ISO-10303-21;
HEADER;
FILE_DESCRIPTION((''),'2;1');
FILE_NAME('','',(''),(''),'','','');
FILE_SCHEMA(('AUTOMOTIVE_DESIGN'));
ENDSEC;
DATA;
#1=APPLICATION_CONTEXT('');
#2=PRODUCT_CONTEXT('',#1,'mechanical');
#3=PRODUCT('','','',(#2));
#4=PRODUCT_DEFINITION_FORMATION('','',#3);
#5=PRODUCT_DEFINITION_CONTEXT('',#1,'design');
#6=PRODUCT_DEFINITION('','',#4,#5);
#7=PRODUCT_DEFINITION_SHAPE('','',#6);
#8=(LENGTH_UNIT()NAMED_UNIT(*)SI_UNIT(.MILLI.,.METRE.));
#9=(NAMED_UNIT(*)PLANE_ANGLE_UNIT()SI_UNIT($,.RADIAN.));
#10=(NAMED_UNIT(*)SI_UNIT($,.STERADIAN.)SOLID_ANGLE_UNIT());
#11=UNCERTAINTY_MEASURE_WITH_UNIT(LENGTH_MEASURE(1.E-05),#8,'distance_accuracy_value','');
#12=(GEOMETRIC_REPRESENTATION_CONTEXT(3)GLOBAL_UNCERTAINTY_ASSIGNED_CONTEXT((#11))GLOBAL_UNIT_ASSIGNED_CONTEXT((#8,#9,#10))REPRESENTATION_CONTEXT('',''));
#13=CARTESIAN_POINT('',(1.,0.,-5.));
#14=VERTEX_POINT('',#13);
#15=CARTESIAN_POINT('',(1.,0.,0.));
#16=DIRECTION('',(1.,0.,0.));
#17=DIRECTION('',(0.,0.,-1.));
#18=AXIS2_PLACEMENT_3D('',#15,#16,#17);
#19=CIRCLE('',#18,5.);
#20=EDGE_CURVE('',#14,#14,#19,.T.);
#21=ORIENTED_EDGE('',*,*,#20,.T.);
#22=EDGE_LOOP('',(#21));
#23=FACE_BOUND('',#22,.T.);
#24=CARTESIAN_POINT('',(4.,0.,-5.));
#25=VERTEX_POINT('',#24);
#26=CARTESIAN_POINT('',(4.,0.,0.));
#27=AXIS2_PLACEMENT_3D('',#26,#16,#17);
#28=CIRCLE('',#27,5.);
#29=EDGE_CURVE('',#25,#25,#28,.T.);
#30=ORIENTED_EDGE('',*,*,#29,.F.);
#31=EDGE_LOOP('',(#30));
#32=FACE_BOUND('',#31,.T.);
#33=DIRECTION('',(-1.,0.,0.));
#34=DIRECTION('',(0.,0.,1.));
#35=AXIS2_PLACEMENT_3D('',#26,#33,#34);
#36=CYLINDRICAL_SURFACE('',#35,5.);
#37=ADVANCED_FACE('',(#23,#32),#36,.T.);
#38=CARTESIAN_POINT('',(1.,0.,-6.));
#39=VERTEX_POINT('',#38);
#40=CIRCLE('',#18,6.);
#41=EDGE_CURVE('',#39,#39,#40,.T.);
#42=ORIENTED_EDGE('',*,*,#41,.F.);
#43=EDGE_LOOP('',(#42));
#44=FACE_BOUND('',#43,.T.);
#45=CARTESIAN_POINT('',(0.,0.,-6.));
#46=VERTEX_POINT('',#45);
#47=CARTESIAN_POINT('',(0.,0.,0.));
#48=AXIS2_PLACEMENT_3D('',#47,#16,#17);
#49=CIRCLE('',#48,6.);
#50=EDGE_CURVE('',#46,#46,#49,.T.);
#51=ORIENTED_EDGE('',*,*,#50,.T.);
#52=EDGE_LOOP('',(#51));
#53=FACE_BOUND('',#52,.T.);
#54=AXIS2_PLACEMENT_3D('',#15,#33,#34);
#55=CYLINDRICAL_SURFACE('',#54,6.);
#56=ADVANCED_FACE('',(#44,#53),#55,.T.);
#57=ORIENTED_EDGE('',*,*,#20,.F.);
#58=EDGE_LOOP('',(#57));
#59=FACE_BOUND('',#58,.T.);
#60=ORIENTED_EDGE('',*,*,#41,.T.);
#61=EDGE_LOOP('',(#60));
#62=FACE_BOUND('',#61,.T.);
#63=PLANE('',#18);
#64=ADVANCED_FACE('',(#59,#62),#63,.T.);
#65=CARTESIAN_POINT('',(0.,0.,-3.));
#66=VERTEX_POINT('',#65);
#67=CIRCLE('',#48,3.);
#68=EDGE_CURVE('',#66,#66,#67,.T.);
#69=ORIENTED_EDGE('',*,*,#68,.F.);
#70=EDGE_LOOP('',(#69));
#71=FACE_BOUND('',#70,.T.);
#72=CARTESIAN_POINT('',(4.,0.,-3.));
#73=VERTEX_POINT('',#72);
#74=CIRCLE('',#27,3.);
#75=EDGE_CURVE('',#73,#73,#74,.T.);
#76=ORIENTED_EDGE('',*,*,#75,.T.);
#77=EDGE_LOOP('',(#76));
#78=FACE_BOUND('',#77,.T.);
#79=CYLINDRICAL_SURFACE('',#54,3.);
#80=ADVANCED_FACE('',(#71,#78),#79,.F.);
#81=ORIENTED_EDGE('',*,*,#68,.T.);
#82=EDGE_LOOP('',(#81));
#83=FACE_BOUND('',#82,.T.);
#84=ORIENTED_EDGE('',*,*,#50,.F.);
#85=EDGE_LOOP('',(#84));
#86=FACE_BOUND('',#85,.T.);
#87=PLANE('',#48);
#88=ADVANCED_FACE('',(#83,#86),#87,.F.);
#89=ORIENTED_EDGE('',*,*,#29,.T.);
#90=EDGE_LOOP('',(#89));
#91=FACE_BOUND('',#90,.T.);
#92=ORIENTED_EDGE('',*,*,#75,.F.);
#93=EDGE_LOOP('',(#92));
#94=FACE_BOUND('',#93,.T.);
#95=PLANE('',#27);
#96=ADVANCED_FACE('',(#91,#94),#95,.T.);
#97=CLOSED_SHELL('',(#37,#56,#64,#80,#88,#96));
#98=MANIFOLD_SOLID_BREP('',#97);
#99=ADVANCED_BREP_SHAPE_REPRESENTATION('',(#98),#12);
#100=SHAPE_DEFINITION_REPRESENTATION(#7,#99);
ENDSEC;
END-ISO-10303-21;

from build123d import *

# Parameters (mm, degrees)
SKETCH_1_R      = 6
SKETCH_1_R_2    = 3
EXTRUDE_1_DEPTH = 1
SKETCH_2_R      = 5
SKETCH_2_R_2    = 3
EXTRUDE_2_DEPTH = 3


with BuildPart() as part:
    # 草图1 → 凸台-拉伸1 (new body)
    with BuildSketch(Plane(origin=(0, 0, 0), x_dir=(0, 0, -1), z_dir=(1, 0, 0))):
        Circle(SKETCH_1_R)
        Circle(SKETCH_1_R_2, mode=Mode.SUBTRACT)
    extrude(amount=EXTRUDE_1_DEPTH)

    # 草图2 → 凸台-拉伸2 (add)
    with BuildSketch(Plane(origin=(1, 0, 0), x_dir=(0, 0, -1), z_dir=(1, 0, 0))):
        Circle(SKETCH_2_R)
        Circle(SKETCH_2_R_2, mode=Mode.SUBTRACT)
    extrude(amount=EXTRUDE_2_DEPTH)


solid = part.part
